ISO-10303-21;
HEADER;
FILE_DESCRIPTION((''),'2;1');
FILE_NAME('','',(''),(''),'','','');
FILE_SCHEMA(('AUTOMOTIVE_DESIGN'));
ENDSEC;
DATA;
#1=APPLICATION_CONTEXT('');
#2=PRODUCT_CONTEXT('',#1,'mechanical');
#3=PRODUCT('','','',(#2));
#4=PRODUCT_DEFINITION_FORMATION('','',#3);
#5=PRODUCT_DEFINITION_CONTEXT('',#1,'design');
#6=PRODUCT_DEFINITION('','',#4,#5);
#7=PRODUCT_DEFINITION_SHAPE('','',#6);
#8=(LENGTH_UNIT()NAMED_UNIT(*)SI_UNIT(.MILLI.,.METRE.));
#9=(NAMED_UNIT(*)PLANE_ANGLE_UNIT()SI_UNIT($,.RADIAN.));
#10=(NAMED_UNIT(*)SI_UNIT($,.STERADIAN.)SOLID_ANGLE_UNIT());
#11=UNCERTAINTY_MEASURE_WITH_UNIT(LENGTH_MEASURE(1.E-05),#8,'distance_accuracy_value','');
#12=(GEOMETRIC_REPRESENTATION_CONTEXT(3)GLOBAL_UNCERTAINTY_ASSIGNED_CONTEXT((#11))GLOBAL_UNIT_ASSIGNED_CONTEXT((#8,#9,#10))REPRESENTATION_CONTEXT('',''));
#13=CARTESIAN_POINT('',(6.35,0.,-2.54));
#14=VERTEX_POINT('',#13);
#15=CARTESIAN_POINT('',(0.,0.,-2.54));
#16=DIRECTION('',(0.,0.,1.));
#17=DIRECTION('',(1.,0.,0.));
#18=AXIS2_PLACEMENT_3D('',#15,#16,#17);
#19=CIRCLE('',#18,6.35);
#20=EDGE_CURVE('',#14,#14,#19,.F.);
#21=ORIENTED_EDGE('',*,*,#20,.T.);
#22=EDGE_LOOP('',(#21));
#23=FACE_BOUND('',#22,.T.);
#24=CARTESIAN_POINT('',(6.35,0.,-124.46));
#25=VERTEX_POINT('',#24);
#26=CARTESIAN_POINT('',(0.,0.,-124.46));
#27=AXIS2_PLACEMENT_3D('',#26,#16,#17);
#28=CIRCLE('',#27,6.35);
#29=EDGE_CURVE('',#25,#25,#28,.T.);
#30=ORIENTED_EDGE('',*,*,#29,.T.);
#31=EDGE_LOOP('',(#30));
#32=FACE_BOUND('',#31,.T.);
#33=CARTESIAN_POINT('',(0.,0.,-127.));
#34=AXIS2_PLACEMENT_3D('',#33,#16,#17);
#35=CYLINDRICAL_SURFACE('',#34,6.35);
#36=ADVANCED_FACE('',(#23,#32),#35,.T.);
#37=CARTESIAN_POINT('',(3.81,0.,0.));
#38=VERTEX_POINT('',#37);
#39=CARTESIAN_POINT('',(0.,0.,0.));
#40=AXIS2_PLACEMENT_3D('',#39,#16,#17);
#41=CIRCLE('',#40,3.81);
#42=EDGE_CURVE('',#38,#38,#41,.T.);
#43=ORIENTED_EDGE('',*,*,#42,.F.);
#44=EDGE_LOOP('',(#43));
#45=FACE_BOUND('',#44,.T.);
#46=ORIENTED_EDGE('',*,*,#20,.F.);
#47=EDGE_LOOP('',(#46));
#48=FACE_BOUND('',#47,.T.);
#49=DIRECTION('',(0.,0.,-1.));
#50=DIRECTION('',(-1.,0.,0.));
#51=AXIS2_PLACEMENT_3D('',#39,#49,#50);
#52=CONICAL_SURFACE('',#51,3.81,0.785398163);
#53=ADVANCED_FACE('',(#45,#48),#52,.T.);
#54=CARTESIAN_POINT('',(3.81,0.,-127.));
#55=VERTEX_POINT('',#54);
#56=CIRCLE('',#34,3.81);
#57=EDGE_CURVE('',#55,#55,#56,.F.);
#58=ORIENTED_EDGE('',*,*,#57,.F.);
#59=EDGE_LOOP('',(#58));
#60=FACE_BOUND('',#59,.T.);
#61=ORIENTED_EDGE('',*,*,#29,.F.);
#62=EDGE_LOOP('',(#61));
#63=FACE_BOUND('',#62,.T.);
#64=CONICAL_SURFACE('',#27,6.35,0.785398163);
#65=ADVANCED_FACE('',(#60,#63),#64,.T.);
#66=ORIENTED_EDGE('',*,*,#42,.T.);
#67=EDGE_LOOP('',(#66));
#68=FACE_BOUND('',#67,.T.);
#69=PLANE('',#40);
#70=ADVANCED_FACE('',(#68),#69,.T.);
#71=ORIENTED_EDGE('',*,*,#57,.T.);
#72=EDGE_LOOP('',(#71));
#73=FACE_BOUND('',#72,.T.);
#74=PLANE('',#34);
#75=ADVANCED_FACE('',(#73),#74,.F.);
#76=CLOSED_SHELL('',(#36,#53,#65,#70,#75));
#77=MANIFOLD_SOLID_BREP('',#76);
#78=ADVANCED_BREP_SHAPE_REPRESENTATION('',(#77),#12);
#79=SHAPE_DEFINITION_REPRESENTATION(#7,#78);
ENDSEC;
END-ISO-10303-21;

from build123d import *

# Parameters (mm, degrees)
SKETCH1_R           = 6.35
BOSS_EXTRUDE1_DEPTH = 127
CHAMFER1_SIZE       = 2.54


with BuildPart() as part:
    # Sketch1 → Boss-Extrude1 (new body)
    with BuildSketch(Plane.XY):
        Circle(SKETCH1_R)
    extrude(amount=-BOSS_EXTRUDE1_DEPTH)

    # Chamfer1
    chamfer1_edges = [part.edges().sort_by_distance(p)[0] for p in [
        (-6.35, 0, 0),
        (-6.35, 0, -127),
    ]]
    chamfer(chamfer1_edges, length=CHAMFER1_SIZE)


solid = part.part
